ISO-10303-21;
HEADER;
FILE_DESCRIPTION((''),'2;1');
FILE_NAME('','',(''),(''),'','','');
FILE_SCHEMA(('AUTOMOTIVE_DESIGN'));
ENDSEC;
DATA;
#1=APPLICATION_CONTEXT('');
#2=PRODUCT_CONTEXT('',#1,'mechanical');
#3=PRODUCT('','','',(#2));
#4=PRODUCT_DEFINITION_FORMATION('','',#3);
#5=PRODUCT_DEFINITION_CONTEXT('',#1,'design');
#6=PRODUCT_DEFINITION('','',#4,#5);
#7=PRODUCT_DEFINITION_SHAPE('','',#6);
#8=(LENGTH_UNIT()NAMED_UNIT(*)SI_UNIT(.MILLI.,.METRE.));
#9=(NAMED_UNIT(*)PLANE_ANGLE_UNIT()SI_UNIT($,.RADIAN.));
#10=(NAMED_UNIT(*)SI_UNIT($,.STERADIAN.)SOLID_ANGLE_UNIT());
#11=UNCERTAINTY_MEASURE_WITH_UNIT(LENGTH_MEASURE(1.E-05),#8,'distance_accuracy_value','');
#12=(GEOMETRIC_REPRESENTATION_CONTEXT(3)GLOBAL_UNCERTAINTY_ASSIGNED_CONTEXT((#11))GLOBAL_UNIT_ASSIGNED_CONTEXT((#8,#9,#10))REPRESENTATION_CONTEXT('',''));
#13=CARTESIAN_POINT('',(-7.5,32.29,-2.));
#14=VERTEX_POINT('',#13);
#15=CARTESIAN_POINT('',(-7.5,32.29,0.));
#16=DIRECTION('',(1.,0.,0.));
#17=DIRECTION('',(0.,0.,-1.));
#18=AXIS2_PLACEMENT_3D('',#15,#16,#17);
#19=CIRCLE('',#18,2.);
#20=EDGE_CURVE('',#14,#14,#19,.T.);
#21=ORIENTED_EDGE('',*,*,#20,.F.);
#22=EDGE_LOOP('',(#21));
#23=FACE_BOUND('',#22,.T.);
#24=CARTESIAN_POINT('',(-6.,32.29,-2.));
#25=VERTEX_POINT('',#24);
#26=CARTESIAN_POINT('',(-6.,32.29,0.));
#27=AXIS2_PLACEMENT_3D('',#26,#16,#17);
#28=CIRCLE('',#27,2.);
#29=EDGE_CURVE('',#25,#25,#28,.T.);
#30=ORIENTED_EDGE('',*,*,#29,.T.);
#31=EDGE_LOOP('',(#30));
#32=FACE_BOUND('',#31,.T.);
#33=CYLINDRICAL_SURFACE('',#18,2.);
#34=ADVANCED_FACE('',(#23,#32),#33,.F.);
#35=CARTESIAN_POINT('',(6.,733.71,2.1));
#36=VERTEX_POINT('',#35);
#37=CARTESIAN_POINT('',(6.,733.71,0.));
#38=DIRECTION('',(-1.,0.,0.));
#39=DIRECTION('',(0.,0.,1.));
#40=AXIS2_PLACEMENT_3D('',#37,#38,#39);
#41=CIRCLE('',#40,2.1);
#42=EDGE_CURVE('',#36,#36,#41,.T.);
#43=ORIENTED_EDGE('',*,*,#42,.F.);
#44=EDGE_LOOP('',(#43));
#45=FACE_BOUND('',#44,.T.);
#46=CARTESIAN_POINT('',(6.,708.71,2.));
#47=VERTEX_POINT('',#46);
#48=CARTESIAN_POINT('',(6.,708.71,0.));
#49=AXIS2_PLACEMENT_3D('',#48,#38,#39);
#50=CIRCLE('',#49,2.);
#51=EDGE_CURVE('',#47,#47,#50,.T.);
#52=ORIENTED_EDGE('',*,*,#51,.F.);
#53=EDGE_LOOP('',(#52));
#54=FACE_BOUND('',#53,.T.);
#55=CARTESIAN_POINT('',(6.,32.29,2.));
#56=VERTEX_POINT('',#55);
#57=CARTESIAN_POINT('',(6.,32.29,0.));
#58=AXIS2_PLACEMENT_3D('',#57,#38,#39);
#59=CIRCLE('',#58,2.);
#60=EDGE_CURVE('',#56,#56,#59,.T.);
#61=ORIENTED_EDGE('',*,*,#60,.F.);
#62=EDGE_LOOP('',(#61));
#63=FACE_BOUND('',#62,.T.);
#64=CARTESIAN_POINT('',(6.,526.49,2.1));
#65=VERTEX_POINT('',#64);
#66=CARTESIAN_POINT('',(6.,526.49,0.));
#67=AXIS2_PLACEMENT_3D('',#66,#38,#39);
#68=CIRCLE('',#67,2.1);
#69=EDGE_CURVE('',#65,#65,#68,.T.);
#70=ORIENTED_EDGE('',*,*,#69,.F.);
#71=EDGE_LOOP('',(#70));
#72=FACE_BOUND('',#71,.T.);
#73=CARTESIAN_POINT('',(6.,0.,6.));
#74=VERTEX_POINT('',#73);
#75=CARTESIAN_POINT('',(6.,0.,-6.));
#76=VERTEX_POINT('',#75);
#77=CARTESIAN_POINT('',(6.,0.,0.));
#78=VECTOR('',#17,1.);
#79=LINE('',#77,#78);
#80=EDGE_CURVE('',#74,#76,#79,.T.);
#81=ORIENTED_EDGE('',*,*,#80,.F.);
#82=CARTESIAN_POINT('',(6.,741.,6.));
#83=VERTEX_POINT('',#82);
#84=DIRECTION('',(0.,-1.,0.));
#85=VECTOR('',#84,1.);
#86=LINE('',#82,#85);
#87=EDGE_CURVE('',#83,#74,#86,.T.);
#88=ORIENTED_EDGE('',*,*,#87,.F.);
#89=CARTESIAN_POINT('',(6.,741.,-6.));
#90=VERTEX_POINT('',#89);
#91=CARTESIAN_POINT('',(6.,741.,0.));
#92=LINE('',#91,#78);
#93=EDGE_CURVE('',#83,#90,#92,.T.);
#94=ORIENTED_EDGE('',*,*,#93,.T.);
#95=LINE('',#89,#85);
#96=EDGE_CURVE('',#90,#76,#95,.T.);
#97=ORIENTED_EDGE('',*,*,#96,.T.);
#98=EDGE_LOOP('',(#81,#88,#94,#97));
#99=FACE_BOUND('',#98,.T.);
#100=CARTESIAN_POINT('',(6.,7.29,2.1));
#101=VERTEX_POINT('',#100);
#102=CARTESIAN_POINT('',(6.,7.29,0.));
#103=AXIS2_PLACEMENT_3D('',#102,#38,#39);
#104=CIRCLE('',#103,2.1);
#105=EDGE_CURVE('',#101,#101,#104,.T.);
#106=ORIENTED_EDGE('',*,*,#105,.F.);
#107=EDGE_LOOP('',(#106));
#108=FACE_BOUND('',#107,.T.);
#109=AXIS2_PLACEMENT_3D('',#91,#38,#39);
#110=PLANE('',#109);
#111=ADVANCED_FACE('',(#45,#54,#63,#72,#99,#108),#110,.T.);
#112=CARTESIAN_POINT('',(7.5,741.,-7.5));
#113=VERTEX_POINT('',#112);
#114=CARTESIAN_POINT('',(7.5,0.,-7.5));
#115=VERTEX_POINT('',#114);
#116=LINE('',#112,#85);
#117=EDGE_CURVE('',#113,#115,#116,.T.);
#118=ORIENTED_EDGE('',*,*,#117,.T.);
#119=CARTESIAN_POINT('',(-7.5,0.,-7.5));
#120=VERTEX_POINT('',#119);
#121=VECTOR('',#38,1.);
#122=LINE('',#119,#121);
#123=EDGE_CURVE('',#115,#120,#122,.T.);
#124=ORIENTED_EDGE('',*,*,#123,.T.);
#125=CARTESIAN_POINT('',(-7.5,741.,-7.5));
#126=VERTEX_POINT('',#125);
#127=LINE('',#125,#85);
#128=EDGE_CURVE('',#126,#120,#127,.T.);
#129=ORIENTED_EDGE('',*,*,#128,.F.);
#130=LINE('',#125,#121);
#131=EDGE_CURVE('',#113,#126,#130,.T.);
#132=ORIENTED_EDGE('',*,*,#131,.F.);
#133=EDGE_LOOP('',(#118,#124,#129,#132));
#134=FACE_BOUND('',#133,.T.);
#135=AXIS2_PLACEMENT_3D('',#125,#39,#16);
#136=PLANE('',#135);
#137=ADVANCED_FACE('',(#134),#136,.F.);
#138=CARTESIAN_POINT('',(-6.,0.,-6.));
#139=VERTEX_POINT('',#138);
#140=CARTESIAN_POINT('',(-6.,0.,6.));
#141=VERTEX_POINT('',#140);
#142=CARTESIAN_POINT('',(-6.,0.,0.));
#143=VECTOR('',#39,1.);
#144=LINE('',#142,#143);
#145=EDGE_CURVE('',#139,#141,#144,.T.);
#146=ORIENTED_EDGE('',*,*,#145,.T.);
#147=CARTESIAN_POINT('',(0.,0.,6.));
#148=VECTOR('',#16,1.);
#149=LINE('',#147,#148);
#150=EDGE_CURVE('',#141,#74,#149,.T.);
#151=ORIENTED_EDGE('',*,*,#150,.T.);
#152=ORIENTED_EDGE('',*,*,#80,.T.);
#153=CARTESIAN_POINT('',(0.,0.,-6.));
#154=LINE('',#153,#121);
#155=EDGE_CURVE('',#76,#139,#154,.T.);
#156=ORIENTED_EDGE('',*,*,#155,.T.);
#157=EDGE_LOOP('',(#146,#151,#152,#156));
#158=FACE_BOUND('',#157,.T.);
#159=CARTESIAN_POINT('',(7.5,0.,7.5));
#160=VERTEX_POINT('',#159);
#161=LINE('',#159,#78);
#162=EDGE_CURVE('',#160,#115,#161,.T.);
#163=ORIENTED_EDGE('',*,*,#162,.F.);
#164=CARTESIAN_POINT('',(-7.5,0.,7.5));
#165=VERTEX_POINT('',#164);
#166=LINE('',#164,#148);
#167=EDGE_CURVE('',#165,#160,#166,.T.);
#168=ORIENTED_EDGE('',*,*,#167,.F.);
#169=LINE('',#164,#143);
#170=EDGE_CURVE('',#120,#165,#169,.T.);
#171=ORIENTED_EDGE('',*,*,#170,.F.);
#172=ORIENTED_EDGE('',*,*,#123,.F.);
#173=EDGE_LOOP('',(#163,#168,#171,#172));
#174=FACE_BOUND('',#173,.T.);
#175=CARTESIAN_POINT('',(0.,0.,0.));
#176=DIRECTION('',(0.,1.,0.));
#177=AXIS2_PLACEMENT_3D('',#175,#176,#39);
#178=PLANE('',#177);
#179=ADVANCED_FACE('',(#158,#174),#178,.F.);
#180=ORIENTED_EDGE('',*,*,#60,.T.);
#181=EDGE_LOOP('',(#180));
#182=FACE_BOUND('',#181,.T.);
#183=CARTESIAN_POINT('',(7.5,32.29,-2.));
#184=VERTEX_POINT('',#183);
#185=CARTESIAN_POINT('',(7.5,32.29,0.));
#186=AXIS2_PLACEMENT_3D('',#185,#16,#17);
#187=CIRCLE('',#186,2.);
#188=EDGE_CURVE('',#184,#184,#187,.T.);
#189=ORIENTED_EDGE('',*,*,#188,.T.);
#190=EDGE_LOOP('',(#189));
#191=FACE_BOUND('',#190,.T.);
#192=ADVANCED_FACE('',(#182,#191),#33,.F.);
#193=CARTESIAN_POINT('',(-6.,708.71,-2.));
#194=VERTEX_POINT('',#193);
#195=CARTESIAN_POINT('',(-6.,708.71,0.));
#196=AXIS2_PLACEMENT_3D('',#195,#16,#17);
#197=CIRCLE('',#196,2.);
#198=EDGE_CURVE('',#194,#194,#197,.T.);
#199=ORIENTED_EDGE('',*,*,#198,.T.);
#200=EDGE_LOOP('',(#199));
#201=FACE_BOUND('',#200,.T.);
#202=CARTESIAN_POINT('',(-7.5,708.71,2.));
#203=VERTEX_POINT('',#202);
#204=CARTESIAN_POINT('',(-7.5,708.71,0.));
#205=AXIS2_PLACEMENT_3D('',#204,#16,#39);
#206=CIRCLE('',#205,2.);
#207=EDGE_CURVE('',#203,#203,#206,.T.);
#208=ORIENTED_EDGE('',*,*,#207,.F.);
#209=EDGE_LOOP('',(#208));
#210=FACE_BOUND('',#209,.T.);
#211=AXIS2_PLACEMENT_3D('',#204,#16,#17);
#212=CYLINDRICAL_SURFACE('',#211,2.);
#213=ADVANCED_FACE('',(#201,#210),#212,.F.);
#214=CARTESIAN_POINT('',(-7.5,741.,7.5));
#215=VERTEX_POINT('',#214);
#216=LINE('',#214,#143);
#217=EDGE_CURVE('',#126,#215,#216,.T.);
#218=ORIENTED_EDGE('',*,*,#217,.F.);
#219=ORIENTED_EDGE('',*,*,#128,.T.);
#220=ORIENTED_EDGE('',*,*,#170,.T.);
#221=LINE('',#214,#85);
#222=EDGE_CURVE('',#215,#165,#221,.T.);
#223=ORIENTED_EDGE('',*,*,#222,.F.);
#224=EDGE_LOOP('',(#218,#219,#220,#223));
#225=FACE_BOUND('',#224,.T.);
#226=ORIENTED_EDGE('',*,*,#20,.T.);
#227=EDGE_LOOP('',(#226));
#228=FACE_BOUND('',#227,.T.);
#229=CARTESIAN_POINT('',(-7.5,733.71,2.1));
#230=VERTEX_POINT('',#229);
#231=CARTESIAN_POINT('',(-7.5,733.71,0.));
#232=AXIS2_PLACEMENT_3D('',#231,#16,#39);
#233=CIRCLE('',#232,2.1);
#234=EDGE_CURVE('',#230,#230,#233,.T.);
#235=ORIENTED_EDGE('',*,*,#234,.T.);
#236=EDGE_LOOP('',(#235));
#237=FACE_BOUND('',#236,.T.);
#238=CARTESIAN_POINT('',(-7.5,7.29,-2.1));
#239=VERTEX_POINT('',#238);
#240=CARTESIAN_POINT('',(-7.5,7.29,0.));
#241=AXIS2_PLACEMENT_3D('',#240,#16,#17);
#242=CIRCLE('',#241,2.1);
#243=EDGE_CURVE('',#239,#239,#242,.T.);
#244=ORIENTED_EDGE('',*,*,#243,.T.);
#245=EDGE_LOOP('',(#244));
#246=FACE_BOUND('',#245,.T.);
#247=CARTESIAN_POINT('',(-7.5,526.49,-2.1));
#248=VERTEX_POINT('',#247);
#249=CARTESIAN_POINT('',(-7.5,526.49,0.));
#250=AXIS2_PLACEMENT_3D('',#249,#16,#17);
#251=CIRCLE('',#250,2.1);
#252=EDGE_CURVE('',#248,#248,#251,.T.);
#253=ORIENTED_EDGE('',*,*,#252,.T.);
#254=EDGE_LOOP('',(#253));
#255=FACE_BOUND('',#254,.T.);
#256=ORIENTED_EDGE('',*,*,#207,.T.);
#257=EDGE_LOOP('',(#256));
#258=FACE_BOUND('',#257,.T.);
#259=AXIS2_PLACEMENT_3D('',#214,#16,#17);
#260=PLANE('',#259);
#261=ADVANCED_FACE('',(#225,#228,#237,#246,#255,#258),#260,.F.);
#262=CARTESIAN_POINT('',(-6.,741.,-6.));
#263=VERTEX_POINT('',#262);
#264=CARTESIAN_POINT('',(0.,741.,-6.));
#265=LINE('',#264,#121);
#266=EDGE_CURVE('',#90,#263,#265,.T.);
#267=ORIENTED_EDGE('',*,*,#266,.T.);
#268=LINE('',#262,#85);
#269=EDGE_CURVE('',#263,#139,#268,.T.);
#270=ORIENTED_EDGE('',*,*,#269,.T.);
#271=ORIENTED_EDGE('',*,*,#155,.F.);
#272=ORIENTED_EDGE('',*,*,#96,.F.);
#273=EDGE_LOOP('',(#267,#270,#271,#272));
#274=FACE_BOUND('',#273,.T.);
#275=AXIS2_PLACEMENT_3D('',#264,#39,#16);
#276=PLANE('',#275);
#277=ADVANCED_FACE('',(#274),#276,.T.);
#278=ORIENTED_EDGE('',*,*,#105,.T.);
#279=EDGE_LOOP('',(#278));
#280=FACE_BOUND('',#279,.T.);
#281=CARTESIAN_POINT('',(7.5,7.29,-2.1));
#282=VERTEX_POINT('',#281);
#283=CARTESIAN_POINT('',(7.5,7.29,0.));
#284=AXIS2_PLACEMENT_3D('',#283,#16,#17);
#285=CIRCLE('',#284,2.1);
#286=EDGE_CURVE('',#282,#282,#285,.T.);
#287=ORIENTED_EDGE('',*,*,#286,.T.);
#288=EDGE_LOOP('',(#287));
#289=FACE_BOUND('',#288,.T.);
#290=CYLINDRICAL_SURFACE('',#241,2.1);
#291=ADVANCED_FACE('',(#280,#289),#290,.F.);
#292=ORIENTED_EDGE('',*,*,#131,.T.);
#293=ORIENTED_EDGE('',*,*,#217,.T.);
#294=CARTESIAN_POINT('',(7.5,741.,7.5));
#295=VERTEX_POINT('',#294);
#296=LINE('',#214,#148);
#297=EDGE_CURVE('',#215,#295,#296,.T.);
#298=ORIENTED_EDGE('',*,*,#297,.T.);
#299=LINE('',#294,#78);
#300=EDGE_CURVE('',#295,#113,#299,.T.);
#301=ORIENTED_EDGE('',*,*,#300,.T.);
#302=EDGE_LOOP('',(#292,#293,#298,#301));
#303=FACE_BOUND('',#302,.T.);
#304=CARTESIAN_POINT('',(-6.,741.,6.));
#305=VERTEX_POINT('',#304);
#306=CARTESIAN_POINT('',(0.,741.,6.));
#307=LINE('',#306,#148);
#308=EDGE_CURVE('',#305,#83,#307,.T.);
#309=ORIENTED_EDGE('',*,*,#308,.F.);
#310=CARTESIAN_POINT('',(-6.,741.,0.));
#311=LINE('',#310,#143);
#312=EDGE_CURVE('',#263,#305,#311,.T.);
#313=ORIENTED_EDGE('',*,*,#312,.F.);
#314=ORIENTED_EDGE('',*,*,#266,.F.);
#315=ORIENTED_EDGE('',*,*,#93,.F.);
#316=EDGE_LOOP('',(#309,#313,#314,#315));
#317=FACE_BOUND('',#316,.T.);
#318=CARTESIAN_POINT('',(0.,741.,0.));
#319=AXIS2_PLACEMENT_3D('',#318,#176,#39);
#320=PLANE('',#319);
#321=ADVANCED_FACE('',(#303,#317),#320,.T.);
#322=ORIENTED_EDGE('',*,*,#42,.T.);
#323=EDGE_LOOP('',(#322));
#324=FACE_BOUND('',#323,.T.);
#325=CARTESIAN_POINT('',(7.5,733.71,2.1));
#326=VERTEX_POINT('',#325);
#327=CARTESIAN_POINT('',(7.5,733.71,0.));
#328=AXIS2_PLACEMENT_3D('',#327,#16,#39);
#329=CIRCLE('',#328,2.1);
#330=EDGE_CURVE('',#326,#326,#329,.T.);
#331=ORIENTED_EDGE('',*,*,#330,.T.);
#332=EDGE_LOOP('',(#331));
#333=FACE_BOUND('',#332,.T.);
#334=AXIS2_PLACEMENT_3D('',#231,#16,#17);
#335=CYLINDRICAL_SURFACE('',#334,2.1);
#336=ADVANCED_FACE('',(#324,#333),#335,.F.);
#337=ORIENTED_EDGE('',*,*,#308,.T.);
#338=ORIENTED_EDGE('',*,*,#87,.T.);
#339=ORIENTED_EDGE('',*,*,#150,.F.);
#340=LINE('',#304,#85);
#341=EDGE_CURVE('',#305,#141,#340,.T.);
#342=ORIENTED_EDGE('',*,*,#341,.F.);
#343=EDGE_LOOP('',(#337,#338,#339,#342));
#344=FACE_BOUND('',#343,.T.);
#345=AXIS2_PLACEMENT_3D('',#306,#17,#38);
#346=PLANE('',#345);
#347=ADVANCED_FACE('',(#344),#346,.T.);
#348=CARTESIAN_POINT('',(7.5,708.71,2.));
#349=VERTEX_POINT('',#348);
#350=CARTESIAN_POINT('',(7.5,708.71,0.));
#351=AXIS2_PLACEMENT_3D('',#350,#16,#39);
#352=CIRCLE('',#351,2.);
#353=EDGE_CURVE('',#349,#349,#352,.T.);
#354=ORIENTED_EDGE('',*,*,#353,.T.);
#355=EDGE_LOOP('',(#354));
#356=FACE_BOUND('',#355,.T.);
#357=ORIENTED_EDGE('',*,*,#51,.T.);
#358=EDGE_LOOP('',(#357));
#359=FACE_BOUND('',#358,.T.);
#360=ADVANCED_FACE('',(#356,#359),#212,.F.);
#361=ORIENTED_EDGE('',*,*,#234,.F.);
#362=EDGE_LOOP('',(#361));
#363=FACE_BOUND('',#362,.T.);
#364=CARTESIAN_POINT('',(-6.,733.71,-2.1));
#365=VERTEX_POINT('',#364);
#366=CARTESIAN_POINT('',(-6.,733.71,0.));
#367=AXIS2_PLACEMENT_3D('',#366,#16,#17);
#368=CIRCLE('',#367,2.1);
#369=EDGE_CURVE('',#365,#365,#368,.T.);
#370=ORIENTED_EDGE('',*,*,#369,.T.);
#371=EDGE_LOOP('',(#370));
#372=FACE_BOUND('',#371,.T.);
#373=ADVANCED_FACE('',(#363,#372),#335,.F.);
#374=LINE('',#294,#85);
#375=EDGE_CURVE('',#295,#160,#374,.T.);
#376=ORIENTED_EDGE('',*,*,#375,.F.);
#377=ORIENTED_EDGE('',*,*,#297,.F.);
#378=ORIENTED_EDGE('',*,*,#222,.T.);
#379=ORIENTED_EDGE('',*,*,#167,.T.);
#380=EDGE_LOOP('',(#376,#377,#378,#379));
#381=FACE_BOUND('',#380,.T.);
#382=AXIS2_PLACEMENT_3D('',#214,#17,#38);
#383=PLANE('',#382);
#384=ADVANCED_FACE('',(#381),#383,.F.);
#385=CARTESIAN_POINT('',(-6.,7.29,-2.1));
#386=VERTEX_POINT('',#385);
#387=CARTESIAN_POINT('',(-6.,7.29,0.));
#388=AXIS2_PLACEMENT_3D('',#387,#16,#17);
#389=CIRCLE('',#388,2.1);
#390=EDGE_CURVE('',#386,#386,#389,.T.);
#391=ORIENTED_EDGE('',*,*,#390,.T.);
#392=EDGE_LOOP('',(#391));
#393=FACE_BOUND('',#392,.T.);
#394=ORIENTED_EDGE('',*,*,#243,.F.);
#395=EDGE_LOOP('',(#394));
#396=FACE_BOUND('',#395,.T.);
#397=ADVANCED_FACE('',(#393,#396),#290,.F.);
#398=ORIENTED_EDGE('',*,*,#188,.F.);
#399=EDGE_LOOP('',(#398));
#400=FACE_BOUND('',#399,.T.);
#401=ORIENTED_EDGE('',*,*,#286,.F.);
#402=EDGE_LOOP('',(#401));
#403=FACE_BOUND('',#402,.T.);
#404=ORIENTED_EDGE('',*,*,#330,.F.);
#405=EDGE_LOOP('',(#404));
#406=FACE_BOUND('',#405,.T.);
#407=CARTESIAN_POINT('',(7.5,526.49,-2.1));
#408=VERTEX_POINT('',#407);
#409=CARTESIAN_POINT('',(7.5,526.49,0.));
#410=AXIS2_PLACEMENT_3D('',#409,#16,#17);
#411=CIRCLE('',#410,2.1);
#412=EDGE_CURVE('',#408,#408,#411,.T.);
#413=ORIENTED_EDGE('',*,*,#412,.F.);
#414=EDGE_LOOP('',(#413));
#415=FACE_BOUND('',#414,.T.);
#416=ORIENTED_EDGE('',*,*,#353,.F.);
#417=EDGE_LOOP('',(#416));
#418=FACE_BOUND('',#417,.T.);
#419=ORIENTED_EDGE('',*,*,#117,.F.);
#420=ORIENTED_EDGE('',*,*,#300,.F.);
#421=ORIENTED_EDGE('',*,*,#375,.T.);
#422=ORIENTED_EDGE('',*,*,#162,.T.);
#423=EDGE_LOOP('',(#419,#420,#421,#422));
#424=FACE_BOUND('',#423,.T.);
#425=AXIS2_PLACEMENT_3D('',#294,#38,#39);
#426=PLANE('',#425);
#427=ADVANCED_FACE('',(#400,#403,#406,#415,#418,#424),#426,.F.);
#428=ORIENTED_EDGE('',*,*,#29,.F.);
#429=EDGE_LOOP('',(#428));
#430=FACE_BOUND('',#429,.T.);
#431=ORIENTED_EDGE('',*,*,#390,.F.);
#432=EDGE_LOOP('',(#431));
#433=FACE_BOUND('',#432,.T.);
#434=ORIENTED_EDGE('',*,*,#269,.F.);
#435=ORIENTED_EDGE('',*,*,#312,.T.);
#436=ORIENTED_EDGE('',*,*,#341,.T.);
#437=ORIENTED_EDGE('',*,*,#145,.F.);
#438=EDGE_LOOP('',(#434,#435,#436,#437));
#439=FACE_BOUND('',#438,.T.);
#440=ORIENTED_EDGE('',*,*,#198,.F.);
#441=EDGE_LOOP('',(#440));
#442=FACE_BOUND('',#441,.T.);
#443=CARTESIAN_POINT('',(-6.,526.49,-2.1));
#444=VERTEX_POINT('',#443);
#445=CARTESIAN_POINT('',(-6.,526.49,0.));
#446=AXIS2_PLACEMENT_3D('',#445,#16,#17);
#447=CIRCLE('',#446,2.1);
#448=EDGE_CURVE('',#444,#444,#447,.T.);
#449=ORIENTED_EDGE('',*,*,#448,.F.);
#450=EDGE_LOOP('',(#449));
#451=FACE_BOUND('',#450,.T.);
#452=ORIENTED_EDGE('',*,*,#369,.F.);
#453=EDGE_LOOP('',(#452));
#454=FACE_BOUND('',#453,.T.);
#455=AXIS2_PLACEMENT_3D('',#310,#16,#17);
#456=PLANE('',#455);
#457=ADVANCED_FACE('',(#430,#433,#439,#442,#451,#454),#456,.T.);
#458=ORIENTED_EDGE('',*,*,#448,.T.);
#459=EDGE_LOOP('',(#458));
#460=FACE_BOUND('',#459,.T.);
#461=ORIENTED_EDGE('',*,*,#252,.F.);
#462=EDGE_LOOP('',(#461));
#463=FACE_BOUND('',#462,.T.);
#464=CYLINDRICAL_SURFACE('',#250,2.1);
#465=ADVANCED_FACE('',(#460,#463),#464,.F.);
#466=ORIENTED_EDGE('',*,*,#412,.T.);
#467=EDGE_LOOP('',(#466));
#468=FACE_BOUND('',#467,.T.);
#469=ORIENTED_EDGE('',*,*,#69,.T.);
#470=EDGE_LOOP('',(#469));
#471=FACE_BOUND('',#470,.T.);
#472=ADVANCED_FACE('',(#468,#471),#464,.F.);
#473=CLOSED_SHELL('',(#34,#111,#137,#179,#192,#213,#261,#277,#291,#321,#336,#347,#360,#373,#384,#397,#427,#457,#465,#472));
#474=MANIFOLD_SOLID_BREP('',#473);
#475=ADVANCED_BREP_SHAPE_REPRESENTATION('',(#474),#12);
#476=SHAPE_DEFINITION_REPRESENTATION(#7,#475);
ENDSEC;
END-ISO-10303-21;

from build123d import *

# Parameters (mm, degrees)
SKETCH_1_W          = 15
SKETCH_1_H          = 15
SKETCH_1_W_2        = 12
SKETCH_1_H_2        = 12
EXTRUDE_1_DEPTH     = 741
SKETCH_2_R          = 2.1
SKETCH_2_R_2        = 2
CUT_EXTRUDE_1_DEPTH = 742.189753032


with BuildPart() as part:
    # ｽｹｯﾁ1 → 押し出し-薄板1 (new body)
    with BuildSketch(Plane(origin=(0, 0, 0), x_dir=(1, 0, 0), z_dir=(0, 1, 0))):
        Rectangle(SKETCH_1_W, SKETCH_1_H)
        Rectangle(SKETCH_1_W_2, SKETCH_1_H_2, mode=Mode.SUBTRACT)
    extrude(amount=EXTRUDE_1_DEPTH)

    # ｽｹｯﾁ2 → ｶｯﾄ - 押し出し1 (cut, through all)
    with BuildSketch(Plane(origin=(7.5, 0, 0), x_dir=(0, 0, -1), z_dir=(1, 0, 0))):
        with Locations((0, 7.29)):
            Circle(SKETCH_2_R)
        with Locations((0, 32.29)):
            Circle(SKETCH_2_R_2)
        with Locations((0, 708.71)):
            Circle(SKETCH_2_R_2)
        with Locations((0, 733.71)):
            Circle(SKETCH_2_R)
        with Locations((0, 526.49)):
            Circle(SKETCH_2_R)
    extrude(amount=-CUT_EXTRUDE_1_DEPTH, mode=Mode.SUBTRACT)


solid = part.part
